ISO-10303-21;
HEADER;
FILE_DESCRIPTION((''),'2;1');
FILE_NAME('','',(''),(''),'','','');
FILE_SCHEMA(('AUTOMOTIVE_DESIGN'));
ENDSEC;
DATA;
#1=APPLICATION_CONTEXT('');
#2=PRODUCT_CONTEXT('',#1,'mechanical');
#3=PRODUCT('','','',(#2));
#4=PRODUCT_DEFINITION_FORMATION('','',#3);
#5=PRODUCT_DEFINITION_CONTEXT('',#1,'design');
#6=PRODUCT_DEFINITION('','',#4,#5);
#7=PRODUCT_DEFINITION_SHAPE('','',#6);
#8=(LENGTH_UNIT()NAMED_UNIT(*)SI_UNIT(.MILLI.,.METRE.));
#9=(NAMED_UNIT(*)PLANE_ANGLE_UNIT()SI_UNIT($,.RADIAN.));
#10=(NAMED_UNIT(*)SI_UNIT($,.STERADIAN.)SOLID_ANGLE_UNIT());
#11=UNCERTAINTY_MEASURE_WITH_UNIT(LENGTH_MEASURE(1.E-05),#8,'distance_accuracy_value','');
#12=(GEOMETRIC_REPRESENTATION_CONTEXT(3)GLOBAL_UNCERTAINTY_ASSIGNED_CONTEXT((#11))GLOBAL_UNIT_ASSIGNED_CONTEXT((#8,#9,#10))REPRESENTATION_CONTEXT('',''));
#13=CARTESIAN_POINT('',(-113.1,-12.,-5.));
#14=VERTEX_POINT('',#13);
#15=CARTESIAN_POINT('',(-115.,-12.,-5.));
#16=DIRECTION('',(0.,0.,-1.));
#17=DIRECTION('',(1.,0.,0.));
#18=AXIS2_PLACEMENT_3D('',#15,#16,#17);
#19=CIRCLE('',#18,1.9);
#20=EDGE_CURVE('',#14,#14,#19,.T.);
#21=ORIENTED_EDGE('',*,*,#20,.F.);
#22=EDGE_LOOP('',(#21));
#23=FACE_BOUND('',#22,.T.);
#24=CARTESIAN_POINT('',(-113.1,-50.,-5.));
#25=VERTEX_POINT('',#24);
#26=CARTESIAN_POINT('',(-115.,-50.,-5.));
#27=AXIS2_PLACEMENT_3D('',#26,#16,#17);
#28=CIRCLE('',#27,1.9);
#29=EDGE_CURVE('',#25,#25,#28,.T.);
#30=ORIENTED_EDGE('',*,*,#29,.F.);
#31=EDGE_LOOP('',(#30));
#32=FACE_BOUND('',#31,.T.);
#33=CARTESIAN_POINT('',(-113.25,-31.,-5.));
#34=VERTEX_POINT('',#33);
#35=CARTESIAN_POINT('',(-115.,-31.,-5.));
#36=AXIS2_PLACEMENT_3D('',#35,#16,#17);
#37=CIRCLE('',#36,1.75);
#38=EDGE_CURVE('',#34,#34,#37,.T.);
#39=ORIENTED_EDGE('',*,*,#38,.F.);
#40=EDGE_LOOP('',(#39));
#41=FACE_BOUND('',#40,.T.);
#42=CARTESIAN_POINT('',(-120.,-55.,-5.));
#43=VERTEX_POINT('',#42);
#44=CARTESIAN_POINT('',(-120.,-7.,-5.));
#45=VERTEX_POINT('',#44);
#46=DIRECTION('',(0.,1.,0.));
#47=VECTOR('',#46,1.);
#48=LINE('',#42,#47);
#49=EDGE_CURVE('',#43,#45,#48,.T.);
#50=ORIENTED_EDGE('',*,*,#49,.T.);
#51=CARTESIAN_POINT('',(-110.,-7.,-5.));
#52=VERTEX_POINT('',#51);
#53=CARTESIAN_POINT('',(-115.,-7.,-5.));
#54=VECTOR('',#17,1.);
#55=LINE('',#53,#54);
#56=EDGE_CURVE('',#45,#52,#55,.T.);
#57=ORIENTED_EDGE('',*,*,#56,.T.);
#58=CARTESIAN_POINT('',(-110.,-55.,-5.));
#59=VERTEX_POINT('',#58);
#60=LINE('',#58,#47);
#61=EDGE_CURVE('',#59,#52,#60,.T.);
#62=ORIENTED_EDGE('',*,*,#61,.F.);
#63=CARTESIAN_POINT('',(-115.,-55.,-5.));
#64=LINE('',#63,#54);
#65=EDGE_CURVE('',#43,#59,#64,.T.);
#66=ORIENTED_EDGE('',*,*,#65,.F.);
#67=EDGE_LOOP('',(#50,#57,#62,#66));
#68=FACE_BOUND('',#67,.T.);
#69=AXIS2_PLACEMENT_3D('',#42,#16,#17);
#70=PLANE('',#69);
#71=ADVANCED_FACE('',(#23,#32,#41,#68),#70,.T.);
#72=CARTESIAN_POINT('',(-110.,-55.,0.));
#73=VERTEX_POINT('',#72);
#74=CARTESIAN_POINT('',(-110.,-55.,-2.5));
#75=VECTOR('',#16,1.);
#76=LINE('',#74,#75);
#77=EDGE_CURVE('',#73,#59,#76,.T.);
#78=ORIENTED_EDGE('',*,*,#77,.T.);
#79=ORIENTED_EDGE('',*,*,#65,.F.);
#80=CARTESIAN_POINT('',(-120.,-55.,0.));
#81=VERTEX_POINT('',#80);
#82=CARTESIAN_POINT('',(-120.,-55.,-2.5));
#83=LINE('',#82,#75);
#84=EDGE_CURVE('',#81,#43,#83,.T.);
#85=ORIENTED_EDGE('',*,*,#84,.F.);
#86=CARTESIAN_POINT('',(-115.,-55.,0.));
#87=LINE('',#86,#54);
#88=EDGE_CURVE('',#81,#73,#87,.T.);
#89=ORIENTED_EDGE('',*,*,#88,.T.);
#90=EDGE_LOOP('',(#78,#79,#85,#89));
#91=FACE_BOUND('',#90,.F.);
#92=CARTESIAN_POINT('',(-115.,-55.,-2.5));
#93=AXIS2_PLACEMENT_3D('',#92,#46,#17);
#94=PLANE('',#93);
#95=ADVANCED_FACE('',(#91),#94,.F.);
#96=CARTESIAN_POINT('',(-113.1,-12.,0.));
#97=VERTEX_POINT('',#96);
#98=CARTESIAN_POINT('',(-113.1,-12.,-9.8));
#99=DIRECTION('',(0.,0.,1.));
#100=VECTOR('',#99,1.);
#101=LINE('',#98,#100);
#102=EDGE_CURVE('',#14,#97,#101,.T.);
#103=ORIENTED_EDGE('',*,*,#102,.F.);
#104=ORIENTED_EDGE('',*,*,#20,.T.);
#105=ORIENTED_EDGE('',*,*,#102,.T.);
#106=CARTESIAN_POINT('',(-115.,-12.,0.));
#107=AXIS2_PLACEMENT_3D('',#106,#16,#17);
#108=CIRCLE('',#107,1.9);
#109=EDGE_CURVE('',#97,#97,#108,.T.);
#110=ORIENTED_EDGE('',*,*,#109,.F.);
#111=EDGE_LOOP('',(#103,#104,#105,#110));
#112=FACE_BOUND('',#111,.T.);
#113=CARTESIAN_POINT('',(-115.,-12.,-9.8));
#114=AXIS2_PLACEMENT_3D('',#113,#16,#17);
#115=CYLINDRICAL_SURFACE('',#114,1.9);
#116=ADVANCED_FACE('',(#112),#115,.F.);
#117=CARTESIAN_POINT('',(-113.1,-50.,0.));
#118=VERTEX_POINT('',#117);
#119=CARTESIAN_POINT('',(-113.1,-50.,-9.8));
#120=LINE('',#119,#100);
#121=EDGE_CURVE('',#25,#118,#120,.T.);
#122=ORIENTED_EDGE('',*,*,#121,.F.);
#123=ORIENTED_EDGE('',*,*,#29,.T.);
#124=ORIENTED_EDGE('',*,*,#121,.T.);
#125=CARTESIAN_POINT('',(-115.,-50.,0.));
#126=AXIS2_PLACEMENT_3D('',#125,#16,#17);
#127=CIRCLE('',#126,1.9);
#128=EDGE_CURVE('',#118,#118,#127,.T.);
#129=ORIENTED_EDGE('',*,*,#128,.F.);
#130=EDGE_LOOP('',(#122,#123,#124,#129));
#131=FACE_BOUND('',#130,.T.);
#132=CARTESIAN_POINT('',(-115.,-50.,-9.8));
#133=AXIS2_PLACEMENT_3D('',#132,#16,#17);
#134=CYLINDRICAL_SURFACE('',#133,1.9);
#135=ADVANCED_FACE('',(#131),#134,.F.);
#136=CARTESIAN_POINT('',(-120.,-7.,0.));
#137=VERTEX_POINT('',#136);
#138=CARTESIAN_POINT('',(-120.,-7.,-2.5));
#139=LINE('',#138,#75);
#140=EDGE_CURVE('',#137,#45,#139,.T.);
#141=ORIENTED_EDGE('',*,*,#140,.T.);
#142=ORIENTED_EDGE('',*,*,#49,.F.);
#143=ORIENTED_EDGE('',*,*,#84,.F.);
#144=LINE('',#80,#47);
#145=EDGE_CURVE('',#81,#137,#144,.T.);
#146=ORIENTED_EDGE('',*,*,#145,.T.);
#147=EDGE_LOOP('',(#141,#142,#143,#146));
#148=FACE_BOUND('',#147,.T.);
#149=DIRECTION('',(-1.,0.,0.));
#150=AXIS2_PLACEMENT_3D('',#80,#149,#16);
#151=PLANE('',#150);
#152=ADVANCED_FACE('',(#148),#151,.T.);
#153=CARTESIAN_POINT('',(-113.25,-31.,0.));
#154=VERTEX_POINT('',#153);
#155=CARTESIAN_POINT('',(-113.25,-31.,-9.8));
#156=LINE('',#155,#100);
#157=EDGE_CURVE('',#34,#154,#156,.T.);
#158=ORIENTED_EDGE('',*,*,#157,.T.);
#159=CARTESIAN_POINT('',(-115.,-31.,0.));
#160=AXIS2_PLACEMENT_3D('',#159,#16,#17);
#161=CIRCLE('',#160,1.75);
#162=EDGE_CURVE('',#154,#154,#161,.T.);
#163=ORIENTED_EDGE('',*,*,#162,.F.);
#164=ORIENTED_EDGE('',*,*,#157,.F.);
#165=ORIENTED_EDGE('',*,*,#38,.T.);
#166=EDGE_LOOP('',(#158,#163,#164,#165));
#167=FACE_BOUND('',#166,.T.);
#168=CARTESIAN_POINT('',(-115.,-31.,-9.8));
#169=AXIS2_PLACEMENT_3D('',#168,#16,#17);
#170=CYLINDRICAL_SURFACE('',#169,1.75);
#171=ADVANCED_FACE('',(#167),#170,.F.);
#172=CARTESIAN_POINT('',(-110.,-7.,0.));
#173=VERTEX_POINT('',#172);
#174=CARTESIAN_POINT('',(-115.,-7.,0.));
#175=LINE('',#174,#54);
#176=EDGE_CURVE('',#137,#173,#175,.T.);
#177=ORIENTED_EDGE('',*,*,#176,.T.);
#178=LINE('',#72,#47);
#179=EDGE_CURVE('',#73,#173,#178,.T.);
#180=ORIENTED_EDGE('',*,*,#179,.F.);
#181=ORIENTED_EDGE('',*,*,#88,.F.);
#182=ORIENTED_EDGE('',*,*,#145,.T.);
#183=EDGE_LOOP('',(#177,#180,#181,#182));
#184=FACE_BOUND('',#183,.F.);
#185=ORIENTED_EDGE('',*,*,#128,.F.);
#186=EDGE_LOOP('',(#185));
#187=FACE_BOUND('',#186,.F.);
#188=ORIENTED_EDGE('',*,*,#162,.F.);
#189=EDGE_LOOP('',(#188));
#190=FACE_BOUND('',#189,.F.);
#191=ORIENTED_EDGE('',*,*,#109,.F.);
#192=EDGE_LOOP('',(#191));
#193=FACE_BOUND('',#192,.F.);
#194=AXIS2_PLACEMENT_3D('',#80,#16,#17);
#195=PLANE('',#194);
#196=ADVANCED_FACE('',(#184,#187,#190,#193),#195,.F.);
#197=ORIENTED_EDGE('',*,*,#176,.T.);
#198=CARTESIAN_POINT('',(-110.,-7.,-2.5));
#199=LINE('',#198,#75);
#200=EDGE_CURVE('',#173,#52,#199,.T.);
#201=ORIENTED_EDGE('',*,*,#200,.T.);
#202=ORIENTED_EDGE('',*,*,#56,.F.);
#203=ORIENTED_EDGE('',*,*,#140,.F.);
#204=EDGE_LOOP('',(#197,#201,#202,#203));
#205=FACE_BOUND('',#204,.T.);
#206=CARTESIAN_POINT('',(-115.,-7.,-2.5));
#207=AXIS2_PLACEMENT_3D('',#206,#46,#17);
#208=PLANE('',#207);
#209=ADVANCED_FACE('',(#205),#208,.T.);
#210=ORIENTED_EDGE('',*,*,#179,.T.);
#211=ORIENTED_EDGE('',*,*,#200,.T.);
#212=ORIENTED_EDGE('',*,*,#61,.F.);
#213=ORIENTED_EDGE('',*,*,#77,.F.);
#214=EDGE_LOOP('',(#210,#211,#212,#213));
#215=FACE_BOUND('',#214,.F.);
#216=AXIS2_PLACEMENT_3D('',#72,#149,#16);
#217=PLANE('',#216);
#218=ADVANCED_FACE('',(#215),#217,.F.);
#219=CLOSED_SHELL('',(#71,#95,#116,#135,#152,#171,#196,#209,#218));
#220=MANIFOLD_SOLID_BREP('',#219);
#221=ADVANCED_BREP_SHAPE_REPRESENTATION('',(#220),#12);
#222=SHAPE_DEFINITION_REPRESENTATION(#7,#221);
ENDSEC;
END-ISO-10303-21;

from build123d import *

# Parameters (mm, degrees)
CYLINDER066_R          = 1.9
CYLINDER066_DEPTH      = 10
CYLINDER067_R          = 1.9
CYLINDER067_DEPTH      = 10
CYLINDER065_R          = 1.75
CYLINDER065_DEPTH      = 10
BOX014_W               = 10
BOX014_H               = 5
BOX014_DEPTH           = 48
CUT005_PLACEMENT_ANGLE = 90


with BuildPart() as cylinder066:
    # Cylinder066 → Cylinder066 (new body)
    with BuildSketch(Plane(origin=(-115, 0, -50), x_dir=(1, 0, 0), z_dir=(0, -1, 0))):
        Circle(CYLINDER066_R)
    extrude(amount=CYLINDER066_DEPTH)


with BuildPart() as cylinder067:
    # Cylinder067 → Cylinder067 (new body)
    with BuildSketch(Plane(origin=(-115, 0, -12), x_dir=(1, 0, 0), z_dir=(0, -1, 0))):
        Circle(CYLINDER067_R)
    extrude(amount=CYLINDER067_DEPTH)


with BuildPart() as sidecuts001:
    # Cylinder065 → Cylinder065 (new body)
    with BuildSketch(Plane(origin=(-115, 0, -31), x_dir=(1, 0, 0), z_dir=(0, -1, 0))):
        Circle(CYLINDER065_R)
    extrude(amount=CYLINDER065_DEPTH)

    # Fusion024: union Cylinder066, Cylinder067
    add(cylinder066.part)
    add(cylinder067.part)


with BuildPart() as sidecuts001_1:
    # Fusion024 placement: moved
    add(sidecuts001.part.moved(Location((0, 9.8, 0))))


with BuildPart() as cornerbase001:
    # Box014 → Box014 (new body)
    with BuildSketch(Plane(origin=(-120, 0, -55), x_dir=(1, 0, 0), z_dir=(0, 0, 1))):
        with Locations((5, 2.5)):
            Rectangle(BOX014_W, BOX014_H)
    extrude(amount=BOX014_DEPTH)

    # Cut005: cut sideCuts001
    add(sidecuts001_1.part, mode=Mode.SUBTRACT)


with BuildPart() as cornerbase001_1:
    # Cut005 placement: moved
    add(cornerbase001.part.rotate(Axis((0, 0, 0), (-1, 0, 0)), CUT005_PLACEMENT_ANGLE))


solid = cornerbase001_1.part
